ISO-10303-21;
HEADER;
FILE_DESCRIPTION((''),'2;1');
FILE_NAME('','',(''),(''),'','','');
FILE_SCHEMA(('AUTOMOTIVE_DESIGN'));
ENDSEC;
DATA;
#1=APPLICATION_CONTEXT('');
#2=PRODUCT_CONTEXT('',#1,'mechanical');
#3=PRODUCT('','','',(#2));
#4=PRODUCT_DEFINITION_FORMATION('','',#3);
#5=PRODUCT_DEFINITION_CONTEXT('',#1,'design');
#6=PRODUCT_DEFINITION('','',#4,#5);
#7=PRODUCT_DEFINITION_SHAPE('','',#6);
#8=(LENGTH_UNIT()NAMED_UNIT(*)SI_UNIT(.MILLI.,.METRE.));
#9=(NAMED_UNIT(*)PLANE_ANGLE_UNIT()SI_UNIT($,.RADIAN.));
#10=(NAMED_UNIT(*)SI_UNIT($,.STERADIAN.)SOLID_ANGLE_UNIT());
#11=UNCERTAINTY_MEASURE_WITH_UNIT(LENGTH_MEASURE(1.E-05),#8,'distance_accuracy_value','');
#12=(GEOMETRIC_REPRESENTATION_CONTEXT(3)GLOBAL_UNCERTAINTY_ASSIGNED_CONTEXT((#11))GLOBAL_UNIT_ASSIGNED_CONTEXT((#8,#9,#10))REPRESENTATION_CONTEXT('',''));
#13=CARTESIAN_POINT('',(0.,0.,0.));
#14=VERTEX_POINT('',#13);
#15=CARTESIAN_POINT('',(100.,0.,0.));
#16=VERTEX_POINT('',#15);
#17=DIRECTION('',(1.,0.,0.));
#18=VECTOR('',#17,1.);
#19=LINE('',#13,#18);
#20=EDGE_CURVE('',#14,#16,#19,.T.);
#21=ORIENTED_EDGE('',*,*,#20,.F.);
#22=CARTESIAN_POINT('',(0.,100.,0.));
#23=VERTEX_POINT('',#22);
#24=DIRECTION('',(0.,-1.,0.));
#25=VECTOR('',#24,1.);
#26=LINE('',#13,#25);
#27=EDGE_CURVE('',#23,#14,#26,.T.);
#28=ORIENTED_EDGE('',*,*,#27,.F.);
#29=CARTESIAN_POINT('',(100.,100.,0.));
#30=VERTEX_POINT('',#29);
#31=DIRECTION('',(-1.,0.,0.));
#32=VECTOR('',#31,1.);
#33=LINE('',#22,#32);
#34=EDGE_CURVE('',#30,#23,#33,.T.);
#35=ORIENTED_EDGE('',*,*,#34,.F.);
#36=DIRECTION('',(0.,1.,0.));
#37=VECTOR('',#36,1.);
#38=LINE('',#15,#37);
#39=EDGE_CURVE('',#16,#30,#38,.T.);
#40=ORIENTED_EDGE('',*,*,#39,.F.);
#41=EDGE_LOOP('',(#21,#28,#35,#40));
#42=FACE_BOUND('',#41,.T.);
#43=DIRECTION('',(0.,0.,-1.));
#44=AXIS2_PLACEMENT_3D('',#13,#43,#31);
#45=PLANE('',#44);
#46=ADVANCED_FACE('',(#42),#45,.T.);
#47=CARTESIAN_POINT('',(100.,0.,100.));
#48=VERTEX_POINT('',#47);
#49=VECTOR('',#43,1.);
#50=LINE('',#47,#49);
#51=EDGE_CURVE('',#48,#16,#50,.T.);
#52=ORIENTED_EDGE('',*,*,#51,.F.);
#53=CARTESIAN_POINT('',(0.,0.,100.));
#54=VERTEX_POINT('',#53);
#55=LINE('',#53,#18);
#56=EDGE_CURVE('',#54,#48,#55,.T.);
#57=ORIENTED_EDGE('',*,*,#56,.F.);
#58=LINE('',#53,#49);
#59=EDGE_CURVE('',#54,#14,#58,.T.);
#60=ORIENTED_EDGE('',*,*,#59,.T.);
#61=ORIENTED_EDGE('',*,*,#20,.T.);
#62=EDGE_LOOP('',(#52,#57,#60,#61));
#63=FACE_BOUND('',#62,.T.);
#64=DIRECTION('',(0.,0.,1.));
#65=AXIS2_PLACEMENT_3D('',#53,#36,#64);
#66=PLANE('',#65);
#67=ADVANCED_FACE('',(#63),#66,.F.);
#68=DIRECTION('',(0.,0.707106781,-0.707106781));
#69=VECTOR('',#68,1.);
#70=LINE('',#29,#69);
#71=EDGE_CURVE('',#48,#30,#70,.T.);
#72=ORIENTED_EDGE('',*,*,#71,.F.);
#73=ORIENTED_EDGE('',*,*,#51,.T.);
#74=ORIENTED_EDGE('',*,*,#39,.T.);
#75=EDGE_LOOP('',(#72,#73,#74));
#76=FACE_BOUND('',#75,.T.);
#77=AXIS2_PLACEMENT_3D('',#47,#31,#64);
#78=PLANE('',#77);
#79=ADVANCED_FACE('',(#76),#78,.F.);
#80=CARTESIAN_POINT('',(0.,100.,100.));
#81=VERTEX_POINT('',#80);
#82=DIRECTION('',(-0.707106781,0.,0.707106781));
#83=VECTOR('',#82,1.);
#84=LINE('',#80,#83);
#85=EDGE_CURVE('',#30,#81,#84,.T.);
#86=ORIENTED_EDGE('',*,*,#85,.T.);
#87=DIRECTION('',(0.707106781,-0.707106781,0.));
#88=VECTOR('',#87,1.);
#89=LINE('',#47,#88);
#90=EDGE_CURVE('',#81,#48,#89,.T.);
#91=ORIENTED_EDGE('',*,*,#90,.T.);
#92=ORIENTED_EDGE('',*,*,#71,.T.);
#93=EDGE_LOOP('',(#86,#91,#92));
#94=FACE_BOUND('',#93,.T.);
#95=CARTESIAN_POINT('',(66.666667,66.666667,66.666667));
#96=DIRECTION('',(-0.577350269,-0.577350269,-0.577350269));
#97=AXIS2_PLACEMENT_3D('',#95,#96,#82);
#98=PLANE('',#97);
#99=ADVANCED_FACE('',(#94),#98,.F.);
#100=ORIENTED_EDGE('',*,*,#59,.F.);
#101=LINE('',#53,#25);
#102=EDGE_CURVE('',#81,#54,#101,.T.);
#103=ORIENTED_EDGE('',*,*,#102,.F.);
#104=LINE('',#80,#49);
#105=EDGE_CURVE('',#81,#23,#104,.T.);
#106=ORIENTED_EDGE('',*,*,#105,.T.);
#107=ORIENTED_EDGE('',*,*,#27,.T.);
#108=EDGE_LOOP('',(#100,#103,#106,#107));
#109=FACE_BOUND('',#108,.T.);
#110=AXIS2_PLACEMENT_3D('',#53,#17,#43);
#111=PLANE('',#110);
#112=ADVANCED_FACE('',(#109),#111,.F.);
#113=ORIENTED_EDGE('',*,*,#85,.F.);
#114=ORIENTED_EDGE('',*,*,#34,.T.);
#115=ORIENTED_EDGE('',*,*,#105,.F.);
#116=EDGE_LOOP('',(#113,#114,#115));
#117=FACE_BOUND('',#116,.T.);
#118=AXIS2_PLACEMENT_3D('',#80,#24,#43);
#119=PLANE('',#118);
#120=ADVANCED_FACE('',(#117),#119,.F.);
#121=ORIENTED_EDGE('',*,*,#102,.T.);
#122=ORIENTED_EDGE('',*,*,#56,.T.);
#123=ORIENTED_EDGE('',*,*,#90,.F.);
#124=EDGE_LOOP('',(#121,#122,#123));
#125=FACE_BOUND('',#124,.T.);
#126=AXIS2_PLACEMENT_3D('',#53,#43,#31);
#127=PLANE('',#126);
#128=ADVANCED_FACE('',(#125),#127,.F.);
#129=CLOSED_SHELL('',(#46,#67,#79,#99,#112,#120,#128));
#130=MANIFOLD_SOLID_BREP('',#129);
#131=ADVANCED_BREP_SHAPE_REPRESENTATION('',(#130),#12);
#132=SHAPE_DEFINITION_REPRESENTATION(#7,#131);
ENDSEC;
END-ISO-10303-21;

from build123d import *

# Parameters (mm, degrees)
SKETCH_1_W          = 100
SKETCH_1_H          = 100
EXTRUDE_1_DEPTH     = 100
CUT_EXTRUDE_1_DEPTH = 116.470053838


with BuildPart() as part:
    # 草圖1 → 填料-伸長1 (new body)
    with BuildSketch(Plane.XY):
        with Locations((50, 50)):
            Rectangle(SKETCH_1_W, SKETCH_1_H)
    extrude(amount=EXTRUDE_1_DEPTH)

    # 草圖3 → 除料-伸長1 (cut, through all)
    with BuildSketch(Plane(origin=(66.666666667, 66.666666667, 66.666666667), x_dir=(0.8164965809277261, -0.408248290463863, -0.408248290463863), z_dir=(0.5773502691896257, 0.5773502691896258, 0.5773502691896258))):
        Polygon((-81.649658093, 0), (40.824829046, 70.710678119), (40.824829046, -70.710678119), align=None)
    extrude(amount=CUT_EXTRUDE_1_DEPTH, mode=Mode.SUBTRACT)


solid = part.part
